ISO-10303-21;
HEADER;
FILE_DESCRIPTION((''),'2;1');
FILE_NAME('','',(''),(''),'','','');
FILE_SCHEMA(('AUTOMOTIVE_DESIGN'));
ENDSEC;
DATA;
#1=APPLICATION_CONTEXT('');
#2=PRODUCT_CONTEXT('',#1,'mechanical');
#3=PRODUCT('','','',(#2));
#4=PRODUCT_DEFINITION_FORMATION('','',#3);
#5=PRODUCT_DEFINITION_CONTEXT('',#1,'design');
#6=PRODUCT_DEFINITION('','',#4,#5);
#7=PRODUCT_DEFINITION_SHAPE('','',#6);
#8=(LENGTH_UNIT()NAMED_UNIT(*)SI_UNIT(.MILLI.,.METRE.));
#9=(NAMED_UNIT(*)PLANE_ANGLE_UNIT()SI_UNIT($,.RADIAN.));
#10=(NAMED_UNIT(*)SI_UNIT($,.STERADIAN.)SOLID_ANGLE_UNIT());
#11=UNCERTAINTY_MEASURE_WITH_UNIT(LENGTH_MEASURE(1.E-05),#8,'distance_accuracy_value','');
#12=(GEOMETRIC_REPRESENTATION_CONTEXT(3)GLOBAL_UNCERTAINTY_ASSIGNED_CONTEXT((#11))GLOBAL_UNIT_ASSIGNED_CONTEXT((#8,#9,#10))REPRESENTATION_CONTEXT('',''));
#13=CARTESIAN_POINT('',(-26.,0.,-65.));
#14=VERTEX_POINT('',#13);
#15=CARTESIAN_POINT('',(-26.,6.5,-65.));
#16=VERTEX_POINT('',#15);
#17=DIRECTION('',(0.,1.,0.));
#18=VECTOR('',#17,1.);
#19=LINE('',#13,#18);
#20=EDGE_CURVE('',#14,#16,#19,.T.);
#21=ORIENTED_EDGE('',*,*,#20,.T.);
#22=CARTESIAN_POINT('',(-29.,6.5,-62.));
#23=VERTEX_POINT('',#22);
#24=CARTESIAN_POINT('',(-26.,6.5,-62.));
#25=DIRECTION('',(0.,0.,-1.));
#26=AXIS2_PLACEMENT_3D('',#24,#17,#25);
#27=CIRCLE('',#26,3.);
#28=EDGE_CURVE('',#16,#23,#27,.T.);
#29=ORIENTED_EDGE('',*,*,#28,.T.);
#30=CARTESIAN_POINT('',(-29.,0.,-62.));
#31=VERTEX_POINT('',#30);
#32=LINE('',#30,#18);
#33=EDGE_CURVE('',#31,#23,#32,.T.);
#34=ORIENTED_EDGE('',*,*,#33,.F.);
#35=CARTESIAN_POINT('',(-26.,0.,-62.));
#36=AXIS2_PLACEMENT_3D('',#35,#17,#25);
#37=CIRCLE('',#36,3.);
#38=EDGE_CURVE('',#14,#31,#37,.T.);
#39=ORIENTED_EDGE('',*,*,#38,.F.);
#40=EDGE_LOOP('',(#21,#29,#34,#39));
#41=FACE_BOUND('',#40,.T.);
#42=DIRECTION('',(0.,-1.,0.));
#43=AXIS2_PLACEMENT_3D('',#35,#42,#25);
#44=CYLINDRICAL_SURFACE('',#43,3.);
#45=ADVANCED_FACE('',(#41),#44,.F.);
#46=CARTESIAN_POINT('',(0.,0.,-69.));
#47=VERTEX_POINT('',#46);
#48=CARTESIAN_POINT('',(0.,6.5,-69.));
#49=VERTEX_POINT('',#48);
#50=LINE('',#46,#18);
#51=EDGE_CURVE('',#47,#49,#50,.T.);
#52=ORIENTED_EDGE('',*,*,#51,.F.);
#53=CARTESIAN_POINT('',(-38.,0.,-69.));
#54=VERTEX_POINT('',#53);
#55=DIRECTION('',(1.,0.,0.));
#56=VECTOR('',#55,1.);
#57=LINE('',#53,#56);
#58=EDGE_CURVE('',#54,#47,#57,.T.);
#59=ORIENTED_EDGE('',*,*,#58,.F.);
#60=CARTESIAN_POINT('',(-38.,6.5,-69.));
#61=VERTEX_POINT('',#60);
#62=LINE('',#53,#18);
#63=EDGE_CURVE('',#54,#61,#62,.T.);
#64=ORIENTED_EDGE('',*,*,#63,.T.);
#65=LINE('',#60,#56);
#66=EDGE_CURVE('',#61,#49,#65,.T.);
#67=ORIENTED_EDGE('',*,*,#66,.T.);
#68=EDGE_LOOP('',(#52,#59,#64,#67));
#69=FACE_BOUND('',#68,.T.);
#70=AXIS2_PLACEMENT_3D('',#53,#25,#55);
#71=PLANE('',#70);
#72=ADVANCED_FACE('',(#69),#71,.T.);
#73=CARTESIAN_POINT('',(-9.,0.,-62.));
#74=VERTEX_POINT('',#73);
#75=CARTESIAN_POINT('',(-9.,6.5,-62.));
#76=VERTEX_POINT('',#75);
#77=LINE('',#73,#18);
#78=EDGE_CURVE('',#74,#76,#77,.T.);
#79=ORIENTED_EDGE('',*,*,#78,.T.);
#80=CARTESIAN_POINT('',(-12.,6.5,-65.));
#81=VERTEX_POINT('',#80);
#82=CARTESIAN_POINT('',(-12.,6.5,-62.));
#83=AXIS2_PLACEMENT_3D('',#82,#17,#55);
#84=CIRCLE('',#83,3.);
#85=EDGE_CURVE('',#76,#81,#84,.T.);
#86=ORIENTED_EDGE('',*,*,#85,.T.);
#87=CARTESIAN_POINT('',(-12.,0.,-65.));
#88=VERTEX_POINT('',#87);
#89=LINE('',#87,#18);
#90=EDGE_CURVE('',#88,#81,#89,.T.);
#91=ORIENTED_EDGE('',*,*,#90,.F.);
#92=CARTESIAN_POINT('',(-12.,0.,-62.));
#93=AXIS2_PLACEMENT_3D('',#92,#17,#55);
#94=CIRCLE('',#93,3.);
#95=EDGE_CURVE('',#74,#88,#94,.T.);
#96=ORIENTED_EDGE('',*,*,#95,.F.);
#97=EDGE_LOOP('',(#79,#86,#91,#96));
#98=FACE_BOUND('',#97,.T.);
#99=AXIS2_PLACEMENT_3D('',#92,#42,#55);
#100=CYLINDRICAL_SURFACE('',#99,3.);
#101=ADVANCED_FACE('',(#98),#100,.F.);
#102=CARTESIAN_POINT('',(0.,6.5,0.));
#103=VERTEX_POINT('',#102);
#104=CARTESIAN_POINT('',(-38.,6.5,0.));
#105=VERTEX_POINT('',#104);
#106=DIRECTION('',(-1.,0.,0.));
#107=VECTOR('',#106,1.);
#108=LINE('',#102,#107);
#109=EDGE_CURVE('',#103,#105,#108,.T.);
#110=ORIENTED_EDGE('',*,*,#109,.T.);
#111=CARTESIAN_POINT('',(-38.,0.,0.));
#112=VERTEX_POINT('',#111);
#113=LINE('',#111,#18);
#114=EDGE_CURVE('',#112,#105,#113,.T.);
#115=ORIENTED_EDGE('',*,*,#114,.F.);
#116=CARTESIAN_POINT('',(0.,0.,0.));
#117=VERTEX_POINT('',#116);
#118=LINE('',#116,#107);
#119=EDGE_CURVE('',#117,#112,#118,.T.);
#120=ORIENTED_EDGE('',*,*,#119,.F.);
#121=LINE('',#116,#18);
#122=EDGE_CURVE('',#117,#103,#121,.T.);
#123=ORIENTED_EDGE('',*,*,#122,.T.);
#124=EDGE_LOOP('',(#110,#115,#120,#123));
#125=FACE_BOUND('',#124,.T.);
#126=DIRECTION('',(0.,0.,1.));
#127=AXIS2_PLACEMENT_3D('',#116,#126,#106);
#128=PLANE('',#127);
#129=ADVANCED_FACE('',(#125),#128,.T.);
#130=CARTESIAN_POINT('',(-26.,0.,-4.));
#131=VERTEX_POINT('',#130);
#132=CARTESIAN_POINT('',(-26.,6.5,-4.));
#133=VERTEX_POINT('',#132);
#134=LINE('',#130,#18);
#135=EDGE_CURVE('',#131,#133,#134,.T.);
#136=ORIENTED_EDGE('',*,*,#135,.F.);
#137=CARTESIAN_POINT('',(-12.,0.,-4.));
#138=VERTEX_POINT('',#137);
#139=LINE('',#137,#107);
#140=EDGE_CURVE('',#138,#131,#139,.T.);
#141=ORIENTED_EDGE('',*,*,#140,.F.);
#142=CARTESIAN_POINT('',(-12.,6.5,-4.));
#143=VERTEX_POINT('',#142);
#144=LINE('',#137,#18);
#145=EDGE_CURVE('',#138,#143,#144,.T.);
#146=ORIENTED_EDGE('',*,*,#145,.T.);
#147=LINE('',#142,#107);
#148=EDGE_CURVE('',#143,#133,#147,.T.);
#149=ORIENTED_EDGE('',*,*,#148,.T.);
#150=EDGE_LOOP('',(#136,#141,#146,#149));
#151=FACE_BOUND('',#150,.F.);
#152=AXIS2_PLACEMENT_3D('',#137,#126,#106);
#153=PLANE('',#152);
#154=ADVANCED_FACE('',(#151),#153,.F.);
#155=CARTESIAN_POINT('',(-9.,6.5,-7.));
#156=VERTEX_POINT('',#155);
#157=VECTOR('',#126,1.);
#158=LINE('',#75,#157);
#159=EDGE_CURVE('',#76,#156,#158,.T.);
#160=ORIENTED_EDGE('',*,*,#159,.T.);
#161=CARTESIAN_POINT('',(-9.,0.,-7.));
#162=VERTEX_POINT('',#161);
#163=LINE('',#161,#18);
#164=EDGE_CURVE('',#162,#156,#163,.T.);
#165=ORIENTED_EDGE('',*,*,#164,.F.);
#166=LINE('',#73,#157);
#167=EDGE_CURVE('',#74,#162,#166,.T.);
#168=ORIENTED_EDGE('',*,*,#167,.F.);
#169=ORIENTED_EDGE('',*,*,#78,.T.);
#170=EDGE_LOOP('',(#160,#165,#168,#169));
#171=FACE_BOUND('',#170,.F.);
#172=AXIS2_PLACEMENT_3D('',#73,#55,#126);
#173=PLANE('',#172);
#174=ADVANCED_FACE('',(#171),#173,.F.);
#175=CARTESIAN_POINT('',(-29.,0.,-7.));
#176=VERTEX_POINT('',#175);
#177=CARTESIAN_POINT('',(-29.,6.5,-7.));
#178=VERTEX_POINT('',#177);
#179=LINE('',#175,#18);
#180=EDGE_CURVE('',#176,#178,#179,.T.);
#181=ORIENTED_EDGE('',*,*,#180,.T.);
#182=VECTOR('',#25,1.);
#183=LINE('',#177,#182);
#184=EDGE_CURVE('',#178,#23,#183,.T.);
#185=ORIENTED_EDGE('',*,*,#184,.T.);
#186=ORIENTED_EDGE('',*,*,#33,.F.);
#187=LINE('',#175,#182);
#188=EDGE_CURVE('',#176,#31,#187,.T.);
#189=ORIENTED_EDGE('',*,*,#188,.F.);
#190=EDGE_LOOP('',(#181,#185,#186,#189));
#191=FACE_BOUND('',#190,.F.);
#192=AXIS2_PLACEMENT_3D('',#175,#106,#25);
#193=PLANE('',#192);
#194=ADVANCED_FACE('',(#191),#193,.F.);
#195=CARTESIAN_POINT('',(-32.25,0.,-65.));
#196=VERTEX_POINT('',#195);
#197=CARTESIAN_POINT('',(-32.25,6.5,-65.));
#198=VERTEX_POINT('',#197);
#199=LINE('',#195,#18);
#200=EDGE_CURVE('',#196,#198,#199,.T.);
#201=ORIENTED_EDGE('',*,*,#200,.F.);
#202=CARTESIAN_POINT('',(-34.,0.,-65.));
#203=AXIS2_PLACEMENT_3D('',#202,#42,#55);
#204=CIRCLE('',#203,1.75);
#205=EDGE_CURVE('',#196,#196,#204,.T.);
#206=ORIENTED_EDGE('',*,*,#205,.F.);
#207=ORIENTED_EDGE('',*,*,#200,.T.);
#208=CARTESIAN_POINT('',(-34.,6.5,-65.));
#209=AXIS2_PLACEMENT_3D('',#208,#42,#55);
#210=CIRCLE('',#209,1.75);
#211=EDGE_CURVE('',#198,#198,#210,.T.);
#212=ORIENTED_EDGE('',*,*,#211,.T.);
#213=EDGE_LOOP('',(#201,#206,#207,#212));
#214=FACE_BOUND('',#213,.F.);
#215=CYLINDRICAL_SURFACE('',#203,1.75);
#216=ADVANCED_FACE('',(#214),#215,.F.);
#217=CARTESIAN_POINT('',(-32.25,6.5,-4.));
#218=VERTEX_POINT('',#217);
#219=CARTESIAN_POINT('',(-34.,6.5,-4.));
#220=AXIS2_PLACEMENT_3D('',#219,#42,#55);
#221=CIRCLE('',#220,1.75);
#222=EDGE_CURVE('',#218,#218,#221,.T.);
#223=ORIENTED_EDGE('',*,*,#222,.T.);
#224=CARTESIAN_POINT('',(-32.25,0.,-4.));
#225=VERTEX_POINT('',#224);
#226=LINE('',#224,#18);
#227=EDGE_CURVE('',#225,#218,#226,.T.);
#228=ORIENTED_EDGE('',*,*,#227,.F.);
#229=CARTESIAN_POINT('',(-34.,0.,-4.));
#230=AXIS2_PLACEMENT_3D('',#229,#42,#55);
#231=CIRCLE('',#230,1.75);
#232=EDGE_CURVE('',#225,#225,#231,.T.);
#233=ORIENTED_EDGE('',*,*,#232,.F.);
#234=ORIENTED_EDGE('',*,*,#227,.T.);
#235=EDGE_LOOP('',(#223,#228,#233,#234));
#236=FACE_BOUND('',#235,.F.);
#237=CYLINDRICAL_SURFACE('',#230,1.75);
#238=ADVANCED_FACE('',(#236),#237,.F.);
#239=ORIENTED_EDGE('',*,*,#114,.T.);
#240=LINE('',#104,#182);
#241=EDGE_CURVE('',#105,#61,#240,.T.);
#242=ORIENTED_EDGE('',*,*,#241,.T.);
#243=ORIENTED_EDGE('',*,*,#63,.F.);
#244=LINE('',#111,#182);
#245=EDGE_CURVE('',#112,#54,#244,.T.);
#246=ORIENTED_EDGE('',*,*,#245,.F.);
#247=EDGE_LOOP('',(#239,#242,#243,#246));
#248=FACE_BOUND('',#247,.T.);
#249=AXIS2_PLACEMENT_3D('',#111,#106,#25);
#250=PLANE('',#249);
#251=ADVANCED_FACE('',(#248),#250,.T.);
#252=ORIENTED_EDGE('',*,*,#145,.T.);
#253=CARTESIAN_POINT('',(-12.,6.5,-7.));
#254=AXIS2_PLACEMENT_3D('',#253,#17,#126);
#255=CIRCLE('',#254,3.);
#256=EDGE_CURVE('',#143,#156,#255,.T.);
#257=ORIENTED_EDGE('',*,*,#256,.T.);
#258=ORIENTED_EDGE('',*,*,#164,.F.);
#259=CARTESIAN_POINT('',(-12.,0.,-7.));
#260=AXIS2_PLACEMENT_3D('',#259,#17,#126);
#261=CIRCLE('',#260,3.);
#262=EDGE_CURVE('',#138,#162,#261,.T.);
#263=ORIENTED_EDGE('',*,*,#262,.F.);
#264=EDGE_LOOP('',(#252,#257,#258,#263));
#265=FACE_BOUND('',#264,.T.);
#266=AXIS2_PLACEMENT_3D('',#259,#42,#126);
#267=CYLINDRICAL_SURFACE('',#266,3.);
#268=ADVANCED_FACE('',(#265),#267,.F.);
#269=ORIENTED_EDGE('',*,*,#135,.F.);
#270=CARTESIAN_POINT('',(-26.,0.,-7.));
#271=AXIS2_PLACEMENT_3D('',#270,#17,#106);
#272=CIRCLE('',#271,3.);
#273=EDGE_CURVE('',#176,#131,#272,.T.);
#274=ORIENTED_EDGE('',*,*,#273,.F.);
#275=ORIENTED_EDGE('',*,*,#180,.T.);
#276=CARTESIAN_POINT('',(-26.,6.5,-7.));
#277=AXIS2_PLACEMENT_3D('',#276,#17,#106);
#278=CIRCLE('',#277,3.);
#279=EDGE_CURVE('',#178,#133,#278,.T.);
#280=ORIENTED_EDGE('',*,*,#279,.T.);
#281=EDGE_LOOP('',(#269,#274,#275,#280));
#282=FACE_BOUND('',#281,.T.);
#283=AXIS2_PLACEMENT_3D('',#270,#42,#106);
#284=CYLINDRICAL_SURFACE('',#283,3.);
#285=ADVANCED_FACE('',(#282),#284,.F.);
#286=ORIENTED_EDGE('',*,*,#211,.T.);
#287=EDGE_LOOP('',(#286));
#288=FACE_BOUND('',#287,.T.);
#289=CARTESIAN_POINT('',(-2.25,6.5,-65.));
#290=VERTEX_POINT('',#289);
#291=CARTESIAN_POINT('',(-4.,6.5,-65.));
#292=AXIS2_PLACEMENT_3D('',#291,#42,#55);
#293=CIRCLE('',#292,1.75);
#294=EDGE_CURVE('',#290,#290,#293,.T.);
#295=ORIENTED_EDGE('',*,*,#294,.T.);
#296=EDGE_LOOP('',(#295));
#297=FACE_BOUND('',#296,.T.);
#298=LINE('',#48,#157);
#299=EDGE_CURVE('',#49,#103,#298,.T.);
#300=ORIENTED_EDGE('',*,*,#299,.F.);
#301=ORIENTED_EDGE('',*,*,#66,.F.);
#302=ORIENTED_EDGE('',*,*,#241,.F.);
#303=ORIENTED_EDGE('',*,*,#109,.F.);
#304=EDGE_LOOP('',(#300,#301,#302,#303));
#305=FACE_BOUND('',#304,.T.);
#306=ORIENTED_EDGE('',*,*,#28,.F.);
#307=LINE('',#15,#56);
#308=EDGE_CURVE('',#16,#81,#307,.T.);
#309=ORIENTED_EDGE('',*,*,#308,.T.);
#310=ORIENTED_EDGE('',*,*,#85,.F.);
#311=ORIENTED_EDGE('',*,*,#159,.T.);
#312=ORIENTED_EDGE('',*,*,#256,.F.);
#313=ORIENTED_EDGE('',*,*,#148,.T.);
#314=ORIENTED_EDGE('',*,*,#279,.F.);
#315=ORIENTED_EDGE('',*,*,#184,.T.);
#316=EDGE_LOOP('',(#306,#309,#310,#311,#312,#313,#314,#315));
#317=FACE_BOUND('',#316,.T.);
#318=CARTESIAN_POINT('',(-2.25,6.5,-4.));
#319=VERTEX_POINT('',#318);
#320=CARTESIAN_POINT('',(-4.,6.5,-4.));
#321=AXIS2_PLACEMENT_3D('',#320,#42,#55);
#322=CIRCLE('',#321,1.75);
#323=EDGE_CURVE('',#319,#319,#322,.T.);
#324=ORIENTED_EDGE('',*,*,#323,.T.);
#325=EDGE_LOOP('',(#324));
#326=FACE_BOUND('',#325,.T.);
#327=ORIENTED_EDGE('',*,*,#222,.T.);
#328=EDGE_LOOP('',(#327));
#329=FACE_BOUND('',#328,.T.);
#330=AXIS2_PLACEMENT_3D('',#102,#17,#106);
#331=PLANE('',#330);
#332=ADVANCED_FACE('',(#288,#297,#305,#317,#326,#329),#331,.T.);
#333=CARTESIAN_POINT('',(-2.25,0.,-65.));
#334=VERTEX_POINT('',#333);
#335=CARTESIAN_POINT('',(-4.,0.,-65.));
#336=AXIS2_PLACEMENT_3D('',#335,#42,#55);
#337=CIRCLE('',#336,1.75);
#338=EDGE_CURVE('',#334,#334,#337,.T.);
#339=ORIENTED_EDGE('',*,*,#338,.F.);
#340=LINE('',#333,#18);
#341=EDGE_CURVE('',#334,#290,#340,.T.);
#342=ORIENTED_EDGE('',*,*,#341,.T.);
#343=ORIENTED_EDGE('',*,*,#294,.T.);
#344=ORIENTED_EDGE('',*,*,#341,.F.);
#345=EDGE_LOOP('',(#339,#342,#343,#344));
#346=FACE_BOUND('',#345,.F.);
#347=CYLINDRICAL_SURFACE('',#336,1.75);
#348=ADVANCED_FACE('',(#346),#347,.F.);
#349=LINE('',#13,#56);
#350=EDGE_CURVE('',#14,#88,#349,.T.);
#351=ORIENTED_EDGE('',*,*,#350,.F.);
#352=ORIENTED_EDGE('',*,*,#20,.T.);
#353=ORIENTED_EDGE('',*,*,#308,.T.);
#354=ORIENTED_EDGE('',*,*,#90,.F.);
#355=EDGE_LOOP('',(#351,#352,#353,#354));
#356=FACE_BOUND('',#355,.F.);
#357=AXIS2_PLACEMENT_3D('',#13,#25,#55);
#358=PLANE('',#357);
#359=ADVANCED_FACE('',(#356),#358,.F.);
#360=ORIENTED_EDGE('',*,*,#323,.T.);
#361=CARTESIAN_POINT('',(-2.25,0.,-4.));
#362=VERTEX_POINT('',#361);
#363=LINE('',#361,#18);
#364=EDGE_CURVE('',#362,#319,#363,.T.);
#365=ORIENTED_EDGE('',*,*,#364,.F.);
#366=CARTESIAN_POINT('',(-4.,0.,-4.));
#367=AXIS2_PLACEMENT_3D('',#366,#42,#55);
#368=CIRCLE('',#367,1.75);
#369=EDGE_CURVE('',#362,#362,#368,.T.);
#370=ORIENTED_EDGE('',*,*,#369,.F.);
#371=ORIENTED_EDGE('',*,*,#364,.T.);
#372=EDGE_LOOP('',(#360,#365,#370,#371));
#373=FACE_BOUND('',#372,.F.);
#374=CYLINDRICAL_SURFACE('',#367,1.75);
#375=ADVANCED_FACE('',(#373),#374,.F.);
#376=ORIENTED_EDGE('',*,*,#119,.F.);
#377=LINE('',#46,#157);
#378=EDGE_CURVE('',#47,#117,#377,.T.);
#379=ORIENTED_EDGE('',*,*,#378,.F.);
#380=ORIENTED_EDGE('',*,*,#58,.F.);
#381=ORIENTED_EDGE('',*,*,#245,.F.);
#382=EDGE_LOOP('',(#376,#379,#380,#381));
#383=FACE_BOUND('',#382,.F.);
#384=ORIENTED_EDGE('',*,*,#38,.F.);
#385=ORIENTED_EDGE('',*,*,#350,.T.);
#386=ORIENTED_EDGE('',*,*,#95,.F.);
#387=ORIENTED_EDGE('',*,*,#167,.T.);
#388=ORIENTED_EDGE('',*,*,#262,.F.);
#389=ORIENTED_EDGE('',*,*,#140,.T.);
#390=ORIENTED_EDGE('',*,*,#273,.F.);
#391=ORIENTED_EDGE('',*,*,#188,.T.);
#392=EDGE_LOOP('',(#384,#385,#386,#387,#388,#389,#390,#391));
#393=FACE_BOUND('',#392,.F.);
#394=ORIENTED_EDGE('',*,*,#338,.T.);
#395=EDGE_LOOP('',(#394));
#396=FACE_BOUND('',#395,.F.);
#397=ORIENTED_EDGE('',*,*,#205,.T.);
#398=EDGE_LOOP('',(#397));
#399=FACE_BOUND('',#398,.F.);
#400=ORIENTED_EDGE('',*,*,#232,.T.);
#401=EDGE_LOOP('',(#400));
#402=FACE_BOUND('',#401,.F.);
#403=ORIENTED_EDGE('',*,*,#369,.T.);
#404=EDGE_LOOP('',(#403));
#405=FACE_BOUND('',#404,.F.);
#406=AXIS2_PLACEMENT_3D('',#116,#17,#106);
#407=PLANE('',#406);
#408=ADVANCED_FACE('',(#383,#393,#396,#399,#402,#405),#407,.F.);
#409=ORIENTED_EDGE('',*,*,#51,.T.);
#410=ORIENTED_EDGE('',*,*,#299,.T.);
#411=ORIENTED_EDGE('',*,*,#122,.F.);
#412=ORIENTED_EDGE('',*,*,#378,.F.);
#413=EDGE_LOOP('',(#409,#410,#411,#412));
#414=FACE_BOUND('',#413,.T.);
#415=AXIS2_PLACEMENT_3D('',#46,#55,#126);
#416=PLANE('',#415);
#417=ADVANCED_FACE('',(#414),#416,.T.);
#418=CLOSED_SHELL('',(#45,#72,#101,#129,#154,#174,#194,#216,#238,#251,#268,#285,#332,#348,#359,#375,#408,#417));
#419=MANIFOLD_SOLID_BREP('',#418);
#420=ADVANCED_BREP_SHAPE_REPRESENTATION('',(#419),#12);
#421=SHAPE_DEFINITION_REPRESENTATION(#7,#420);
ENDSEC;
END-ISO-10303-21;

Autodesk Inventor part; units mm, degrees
ref_plane "YZ Plane" through (0, 0, 0) normal (1, 0, 0) x (0, 1, 0)
ref_plane "XZ Plane" through (0, 0, 0) normal (0, 1, 0) x (-1, 0, 0)
ref_plane "XY Plane" through (0, 0, 0) normal (0, 0, 1) x (1, 0, 0)
sketch "Sketch1" plane through (0, 0, 0) normal (0, 1, 0) x (-1, 0, 0)
  line L0 (0, 0) -> (38, 0)
  line L1 (38, 0) -> (38, -69)
  line L2 (38, -69) -> (0, -69)
  line L3 (0, -69) -> (0, 0)
  line L4 (12, -4) -> (26, -4)
  line L5 (29, -7) -> (29, -62)
  line L6 (26, -65) -> (12, -65)
  line L7 (9, -62) -> (9, -7)
  arc A0 (29, -7) -> (26, -4) centre (26, -7) ccw
  arc A1 (12, -4) -> (9, -7) centre (12, -7) ccw
  arc A2 (9, -62) -> (12, -65) centre (12, -62) ccw
  arc A3 (26, -65) -> (29, -62) centre (26, -62) ccw
  dimension "d0" = 38
  dimension "d1" = 69
  dimension "d2" = 4
  dimension "d3" = 9
  dimension "d4" = 4
  dimension "d5" = 9
  dimension "d6" = 3
extrude "Extrusion1" add sketch "Sketch1" along normal blind 6.5
sketch "Sketch2" plane through (0, 0, 0) normal (0, -1, 0) x (1, 0, 0)
  line L0 (-34, -65) -> (-4, -65) construction
  line L1 (-4, -65) -> (-4, -4) construction
  line L2 (-4, -4) -> (-34, -4) construction
  line L3 (-34, -4) -> (-34, -65) construction
  circle A0 centre (-34, -4) radius 1.75
  circle A1 centre (-4, -4) radius 1.75
  circle A2 centre (-4, -65) radius 1.75
  circle A3 centre (-34, -65) radius 1.75
  line L4 (-38, -69) -> (-38, 0) projected
  line L5 (-38, 0) -> (0, 0) projected
  line L6 (0, 0) -> (0, -69) projected
  line L7 (0, -69) -> (-38, -69) projected
  dimension "d9" = 3.5
  dimension "d10" = 4
  dimension "d11" = 4
  dimension "d12" = 4
  dimension "d13" = 4
extrude "Extrusion2" cut sketch "Sketch2" against normal blind 6.5 contours A0 | A1 | A2 | A3
equation "\"d4\" = d2"
equation "\"d5\" = d3"
equation "\"d11\" = d10"
equation "\"d12\" = d10"
equation "\"d13\" = d10"
properties part number "RectangularHolderFloor"
